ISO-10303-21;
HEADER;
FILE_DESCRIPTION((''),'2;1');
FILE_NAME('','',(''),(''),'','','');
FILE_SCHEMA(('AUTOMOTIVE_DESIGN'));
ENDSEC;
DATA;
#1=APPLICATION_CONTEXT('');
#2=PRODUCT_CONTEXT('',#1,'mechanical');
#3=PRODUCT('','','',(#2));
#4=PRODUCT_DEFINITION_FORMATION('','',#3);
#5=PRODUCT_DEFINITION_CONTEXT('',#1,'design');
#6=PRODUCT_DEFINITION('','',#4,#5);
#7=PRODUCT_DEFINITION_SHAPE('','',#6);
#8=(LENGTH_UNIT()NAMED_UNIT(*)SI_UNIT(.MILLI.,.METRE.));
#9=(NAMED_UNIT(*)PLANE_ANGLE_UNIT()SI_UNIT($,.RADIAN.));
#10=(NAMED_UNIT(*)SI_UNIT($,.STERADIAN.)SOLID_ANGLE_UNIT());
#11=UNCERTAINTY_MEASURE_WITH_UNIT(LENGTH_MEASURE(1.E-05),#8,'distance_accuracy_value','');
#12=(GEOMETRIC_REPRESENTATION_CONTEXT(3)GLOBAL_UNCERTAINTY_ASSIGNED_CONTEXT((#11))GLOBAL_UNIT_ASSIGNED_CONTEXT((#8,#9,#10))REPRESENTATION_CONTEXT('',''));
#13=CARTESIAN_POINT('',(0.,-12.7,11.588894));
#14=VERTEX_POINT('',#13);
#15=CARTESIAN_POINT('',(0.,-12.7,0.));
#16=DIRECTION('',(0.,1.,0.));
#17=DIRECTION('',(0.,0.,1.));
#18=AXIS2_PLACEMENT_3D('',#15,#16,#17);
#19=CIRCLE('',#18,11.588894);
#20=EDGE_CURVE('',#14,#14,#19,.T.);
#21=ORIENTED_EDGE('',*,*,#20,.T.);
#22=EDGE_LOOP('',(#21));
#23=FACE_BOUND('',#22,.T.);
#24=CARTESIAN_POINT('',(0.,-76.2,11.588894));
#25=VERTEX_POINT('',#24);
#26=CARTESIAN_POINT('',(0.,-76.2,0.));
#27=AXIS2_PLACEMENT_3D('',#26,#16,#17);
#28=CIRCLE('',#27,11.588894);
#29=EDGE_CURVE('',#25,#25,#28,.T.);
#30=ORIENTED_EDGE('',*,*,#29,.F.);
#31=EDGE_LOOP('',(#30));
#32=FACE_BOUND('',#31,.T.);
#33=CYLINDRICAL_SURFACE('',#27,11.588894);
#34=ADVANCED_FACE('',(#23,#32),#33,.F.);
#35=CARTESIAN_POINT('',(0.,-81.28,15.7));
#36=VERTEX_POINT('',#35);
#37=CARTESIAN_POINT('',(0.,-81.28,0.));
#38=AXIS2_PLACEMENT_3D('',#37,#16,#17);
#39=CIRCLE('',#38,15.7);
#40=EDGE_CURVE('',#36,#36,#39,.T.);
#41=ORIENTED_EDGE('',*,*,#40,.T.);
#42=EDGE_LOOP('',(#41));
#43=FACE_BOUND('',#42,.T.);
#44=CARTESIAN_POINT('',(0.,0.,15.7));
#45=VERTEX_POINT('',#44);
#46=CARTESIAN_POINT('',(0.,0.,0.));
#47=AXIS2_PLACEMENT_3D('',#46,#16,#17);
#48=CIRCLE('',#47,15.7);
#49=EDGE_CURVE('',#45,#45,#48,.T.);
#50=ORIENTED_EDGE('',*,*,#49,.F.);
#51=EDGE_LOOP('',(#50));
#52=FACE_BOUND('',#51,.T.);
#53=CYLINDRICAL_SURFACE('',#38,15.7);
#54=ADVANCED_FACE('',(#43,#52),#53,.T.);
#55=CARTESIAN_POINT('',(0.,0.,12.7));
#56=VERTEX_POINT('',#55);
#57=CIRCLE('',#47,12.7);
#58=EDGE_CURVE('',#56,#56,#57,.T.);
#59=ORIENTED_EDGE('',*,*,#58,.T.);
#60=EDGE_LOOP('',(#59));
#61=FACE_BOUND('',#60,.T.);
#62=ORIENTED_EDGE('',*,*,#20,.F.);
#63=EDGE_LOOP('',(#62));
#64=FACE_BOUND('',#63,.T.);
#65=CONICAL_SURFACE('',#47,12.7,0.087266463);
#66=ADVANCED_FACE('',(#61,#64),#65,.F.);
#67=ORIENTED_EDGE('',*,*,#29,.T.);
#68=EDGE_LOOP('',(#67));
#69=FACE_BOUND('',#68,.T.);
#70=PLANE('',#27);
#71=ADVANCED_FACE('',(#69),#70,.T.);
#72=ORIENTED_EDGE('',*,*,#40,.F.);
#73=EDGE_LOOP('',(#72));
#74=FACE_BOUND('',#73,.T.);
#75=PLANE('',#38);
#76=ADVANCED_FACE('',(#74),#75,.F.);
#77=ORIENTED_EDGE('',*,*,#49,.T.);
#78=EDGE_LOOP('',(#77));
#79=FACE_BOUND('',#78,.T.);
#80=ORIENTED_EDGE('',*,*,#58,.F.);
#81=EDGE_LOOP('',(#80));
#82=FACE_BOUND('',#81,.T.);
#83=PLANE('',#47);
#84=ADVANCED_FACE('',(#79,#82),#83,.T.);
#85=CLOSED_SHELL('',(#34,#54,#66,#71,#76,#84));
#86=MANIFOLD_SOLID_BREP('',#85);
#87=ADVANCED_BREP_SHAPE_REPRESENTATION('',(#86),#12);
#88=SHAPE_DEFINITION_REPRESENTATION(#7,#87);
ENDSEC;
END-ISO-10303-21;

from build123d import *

# Parameters (mm, degrees)
SKETCH1_R           = 12.7
BOSS_EXTRUDE1_DEPTH = 12.7
BOSS_EXTRUDE1_DRAFT = -5
SKETCH2_R           = 3.175
CUT_EXTRUDE1_DEPTH  = 22.997045256
SKETCH7_R           = 1.27
CUT_EXTRUDE2_DEPTH  = 7.62
SKETCH10_R          = 15.7
BOSS_EXTRUDE2_DEPTH = 81.28
SKETCH11_R          = 12.7
CUT_EXTRUDE3_DEPTH  = 12.7
CUT_EXTRUDE3_DRAFT  = -5
SKETCH12_R          = 11.588893973
CUT_EXTRUDE4_DEPTH  = 63.5


with BuildPart() as part:
    # Sketch1 → Boss-Extrude1 (with draft: the straight prism first)
    with BuildSketch(Plane(origin=(0, 0, 0), x_dir=(1, 0, 0), z_dir=(0, 1, 0))):
        Circle(SKETCH1_R)
    extrude(amount=-BOSS_EXTRUDE1_DEPTH)
    # Boss-Extrude1: the draft: its side faces are tilted about the plane it starts from
    boss_extrude1_sides = [part.faces().sort_by_distance(p)[0] for p in [
        (-12.7, -6.35, 0),
    ]]
    draft(boss_extrude1_sides, Plane(origin=(0, 0, 0), x_dir=(1, 0, 0), z_dir=(0, 1, 0)), BOSS_EXTRUDE1_DRAFT)

    # Sketch2 → Cut-Extrude1 (cut, through all)
    with BuildSketch(Plane(origin=(0, 0, 0), x_dir=(1, 0, 0), z_dir=(0, 1, 0))):
        with Locations(Location((0, 0, 0), (0, 0, 270))):
            Circle(SKETCH2_R)
    extrude(amount=-CUT_EXTRUDE1_DEPTH, mode=Mode.SUBTRACT)

    # Sketch7 → Cut-Extrude2 (cut)
    with BuildSketch(Plane.XZ.offset(12.7)):
        with Locations(Location((-8.636, 0, 0), (0, 0, 270))):
            Circle(SKETCH7_R)
        with Locations(Location((4.318, 7.478995387, 0), (0, 0, 270))):
            Circle(SKETCH7_R)
    extrude(amount=-CUT_EXTRUDE2_DEPTH, mode=Mode.SUBTRACT)

    # Sketch10 → Boss-Extrude2 (add)
    with BuildSketch(Plane(origin=(0, 0, 0), x_dir=(1, 0, 0), z_dir=(0, 1, 0))):
        with Locations(Location((0, 0, 0), (0, 0, 270))):
            Circle(SKETCH10_R)
    extrude(amount=-BOSS_EXTRUDE2_DEPTH)


with BuildPart() as cut_extrude3_tool:
    # Sketch11 → Cut-Extrude3 (with draft: the straight prism first)
    with BuildSketch(Plane(origin=(0, 0, 0), x_dir=(1, 0, 0), z_dir=(0, 1, 0))):
        Circle(SKETCH11_R)
    extrude(amount=-CUT_EXTRUDE3_DEPTH)
    # Cut-Extrude3: the draft: its side faces are tilted about the plane it starts from
    cut_extrude3_sides = [cut_extrude3_tool.faces().sort_by_distance(p)[0] for p in [
        (-12.7, -6.35, 0),
    ]]
    draft(cut_extrude3_sides, Plane(origin=(0, 0, 0), x_dir=(1, 0, 0), z_dir=(0, 1, 0)), CUT_EXTRUDE3_DRAFT)


with BuildPart() as part_1:
    add(part.part)

    # Cut-Extrude3: cut by cut_extrude3_tool
    add(cut_extrude3_tool.part, mode=Mode.SUBTRACT)

    # Sketch12 → Cut-Extrude4 (cut)
    with BuildSketch(Plane(origin=(0, -12.7, 0), x_dir=(1, 0, 0), z_dir=(0, 1, 0))):
        with Locations(Location((0, 0, 0), (0, 0, 270))):
            Circle(SKETCH12_R)
    extrude(amount=-CUT_EXTRUDE4_DEPTH, mode=Mode.SUBTRACT)


solid = part_1.part
